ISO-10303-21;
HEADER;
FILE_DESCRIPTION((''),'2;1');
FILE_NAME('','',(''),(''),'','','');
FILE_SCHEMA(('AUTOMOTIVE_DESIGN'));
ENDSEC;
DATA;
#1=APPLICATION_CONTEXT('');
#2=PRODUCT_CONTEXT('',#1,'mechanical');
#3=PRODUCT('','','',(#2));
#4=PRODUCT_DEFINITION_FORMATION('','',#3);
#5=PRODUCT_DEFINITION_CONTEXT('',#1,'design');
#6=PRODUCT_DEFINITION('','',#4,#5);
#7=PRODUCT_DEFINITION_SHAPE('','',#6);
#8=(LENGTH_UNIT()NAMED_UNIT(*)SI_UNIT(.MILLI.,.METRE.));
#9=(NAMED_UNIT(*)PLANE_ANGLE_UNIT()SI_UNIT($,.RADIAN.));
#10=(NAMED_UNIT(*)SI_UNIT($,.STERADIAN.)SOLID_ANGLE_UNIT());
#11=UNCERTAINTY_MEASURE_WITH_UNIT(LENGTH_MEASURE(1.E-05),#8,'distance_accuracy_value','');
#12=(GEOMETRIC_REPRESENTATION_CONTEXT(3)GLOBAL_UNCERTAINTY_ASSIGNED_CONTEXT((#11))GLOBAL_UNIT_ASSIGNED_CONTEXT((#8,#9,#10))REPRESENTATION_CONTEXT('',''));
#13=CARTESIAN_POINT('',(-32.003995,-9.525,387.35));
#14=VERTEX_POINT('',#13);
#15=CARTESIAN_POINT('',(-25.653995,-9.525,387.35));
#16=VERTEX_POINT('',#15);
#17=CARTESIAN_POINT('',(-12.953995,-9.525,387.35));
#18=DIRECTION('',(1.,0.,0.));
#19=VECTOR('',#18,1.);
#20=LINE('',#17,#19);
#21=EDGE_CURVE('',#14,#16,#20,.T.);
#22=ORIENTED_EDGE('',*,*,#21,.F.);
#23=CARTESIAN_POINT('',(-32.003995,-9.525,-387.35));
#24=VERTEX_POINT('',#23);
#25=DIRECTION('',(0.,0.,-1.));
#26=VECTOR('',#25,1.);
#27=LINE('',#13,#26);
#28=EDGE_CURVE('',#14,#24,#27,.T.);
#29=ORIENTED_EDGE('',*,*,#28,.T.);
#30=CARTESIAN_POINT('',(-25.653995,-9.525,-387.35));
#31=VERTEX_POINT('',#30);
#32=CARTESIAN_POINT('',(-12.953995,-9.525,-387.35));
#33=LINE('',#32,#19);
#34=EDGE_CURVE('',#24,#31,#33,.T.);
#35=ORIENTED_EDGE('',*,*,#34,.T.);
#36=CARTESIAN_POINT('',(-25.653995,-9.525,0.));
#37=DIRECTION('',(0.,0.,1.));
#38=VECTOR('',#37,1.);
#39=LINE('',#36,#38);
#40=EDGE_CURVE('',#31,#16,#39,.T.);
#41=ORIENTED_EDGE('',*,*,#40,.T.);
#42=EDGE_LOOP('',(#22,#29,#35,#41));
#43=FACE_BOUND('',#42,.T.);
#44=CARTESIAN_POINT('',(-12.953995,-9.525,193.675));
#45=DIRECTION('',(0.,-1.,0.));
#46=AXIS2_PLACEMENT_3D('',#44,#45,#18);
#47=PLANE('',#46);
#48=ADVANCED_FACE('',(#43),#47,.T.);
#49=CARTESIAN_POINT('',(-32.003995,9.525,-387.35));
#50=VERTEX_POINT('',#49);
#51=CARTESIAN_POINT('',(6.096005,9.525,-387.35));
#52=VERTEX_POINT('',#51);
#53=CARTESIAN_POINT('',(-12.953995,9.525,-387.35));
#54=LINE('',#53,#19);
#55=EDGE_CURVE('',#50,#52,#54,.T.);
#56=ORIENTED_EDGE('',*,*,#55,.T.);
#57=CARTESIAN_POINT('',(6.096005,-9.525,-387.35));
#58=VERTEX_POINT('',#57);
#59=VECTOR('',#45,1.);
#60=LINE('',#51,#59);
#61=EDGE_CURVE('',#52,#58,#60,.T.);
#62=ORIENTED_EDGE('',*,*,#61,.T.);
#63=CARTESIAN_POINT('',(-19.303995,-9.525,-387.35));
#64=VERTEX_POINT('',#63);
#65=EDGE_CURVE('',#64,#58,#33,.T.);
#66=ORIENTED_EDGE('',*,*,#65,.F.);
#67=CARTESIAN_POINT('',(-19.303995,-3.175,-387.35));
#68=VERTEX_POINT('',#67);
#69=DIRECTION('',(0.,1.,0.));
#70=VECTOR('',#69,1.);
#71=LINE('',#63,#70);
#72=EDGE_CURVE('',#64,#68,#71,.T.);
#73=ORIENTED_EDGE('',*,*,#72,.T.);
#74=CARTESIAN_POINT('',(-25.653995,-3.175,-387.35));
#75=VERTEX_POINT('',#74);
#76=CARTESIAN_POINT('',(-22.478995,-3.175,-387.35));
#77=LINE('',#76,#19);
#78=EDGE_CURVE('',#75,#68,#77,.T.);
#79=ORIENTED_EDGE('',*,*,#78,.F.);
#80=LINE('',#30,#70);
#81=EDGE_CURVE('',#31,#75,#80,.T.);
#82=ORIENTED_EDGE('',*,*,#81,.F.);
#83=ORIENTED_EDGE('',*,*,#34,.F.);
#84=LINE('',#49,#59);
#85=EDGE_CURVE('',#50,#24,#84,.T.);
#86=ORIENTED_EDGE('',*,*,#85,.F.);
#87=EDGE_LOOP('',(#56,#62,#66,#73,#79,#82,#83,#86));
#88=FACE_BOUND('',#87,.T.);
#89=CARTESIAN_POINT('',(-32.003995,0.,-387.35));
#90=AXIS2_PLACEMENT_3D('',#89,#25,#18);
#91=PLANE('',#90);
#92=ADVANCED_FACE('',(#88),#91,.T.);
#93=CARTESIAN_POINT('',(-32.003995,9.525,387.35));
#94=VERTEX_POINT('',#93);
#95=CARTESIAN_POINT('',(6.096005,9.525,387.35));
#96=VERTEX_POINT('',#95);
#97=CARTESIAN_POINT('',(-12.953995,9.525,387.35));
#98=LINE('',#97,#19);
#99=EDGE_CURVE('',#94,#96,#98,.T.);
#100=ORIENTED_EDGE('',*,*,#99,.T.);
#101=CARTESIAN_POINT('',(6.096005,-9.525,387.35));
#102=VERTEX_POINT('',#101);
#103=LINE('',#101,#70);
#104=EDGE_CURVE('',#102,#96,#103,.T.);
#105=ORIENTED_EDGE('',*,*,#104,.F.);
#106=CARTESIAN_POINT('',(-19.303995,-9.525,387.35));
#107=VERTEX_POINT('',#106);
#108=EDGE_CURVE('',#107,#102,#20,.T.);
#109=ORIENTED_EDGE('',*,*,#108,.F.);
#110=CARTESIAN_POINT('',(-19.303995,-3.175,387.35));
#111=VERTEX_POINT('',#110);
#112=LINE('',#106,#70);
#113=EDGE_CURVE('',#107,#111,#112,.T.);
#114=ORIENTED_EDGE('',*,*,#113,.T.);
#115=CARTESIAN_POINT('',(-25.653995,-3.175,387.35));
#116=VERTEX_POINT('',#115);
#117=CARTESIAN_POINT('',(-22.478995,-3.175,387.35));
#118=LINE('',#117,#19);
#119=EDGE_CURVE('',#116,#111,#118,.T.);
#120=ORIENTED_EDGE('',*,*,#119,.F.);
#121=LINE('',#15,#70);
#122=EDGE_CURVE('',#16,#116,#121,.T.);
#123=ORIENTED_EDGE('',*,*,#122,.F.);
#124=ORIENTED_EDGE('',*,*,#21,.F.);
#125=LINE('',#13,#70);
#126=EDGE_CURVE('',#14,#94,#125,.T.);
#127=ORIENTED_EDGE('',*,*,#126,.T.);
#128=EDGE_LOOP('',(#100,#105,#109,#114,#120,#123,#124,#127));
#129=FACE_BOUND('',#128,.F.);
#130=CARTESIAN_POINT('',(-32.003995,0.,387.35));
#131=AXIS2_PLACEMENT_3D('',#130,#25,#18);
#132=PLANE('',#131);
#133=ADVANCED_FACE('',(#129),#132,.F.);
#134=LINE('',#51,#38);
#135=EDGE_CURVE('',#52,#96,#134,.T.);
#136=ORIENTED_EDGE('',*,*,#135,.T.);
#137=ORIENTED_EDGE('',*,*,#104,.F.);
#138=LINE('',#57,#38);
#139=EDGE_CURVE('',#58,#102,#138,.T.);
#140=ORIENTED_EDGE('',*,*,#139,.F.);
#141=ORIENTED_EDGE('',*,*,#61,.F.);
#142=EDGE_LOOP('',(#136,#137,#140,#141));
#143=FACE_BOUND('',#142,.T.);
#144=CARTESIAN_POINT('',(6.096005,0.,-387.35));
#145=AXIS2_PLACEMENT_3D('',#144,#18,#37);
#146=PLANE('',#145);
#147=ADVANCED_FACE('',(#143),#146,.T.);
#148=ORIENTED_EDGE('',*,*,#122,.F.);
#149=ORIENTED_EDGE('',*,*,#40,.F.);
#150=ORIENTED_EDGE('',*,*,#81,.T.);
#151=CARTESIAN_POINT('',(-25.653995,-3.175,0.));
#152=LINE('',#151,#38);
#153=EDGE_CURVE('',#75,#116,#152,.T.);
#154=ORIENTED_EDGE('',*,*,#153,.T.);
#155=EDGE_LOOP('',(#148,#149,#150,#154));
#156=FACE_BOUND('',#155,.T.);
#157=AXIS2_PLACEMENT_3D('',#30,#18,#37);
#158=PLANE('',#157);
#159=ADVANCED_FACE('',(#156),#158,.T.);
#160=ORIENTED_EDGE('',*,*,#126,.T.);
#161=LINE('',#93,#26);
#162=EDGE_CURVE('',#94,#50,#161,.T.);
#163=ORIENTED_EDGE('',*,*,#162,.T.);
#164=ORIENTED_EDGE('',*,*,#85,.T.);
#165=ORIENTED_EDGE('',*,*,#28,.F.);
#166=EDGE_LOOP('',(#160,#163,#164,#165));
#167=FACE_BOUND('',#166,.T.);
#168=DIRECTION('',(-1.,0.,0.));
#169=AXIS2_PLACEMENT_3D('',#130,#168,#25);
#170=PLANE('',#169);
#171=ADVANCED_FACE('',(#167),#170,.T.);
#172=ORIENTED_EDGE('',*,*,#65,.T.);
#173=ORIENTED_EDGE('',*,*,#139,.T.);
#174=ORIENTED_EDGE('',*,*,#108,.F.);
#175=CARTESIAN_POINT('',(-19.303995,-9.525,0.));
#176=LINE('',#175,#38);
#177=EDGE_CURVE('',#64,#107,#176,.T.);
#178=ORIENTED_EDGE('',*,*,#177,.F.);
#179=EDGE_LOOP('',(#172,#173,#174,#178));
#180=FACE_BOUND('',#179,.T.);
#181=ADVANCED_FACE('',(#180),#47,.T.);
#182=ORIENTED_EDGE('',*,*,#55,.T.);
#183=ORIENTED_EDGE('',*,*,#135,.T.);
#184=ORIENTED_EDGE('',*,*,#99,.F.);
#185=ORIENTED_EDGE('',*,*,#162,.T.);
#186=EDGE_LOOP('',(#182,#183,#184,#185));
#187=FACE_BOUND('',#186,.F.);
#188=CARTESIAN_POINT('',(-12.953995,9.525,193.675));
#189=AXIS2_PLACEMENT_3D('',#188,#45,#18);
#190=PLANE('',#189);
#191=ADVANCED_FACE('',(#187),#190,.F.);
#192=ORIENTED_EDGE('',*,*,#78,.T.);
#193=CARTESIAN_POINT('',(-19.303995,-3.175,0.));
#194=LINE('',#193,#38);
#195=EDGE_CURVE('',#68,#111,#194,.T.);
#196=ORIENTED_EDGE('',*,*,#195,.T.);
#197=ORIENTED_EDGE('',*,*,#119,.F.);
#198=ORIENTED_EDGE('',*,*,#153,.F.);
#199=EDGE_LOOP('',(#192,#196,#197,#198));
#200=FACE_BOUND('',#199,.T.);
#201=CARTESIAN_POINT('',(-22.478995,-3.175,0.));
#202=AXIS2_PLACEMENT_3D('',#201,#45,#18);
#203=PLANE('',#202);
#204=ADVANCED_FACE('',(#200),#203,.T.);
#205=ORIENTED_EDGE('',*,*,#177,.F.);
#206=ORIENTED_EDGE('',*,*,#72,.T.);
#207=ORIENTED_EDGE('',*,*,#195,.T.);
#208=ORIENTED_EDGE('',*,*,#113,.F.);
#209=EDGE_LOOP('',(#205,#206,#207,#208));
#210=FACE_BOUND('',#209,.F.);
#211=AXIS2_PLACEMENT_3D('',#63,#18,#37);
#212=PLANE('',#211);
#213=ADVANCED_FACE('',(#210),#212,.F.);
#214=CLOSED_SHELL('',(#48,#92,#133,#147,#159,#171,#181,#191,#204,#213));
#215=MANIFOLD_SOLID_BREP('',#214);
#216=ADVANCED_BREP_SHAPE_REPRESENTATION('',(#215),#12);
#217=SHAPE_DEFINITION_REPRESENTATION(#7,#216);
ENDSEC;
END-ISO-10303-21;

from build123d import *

# Parameters (mm, degrees)
F0_W     = 38.1
F0_H     = 387.35
F1_DEPTH = 9.525
F2_W     = 6.35
F2_H     = 774.7
F3_DEPTH = 6.35


with BuildPart() as f1:
    # F0 (on Front) → F1 (new body, symmetric)
    with BuildSketch(Plane.XZ):
        with Locations((-12.9539953259, 193.675)):
            Rectangle(F0_W, F0_H)
        with Locations((-12.9539953259, -193.675)):
            Rectangle(F0_W, F0_H)
    extrude(amount=F1_DEPTH, both=True)

    # F2 (on face) → F3 (cut)
    with BuildSketch(Plane.XZ.offset(9.525)):
        with Locations((-22.4789953259, 0)):
            Rectangle(F2_W, F2_H)
    extrude(amount=-F3_DEPTH, mode=Mode.SUBTRACT)


solid = f1.part
